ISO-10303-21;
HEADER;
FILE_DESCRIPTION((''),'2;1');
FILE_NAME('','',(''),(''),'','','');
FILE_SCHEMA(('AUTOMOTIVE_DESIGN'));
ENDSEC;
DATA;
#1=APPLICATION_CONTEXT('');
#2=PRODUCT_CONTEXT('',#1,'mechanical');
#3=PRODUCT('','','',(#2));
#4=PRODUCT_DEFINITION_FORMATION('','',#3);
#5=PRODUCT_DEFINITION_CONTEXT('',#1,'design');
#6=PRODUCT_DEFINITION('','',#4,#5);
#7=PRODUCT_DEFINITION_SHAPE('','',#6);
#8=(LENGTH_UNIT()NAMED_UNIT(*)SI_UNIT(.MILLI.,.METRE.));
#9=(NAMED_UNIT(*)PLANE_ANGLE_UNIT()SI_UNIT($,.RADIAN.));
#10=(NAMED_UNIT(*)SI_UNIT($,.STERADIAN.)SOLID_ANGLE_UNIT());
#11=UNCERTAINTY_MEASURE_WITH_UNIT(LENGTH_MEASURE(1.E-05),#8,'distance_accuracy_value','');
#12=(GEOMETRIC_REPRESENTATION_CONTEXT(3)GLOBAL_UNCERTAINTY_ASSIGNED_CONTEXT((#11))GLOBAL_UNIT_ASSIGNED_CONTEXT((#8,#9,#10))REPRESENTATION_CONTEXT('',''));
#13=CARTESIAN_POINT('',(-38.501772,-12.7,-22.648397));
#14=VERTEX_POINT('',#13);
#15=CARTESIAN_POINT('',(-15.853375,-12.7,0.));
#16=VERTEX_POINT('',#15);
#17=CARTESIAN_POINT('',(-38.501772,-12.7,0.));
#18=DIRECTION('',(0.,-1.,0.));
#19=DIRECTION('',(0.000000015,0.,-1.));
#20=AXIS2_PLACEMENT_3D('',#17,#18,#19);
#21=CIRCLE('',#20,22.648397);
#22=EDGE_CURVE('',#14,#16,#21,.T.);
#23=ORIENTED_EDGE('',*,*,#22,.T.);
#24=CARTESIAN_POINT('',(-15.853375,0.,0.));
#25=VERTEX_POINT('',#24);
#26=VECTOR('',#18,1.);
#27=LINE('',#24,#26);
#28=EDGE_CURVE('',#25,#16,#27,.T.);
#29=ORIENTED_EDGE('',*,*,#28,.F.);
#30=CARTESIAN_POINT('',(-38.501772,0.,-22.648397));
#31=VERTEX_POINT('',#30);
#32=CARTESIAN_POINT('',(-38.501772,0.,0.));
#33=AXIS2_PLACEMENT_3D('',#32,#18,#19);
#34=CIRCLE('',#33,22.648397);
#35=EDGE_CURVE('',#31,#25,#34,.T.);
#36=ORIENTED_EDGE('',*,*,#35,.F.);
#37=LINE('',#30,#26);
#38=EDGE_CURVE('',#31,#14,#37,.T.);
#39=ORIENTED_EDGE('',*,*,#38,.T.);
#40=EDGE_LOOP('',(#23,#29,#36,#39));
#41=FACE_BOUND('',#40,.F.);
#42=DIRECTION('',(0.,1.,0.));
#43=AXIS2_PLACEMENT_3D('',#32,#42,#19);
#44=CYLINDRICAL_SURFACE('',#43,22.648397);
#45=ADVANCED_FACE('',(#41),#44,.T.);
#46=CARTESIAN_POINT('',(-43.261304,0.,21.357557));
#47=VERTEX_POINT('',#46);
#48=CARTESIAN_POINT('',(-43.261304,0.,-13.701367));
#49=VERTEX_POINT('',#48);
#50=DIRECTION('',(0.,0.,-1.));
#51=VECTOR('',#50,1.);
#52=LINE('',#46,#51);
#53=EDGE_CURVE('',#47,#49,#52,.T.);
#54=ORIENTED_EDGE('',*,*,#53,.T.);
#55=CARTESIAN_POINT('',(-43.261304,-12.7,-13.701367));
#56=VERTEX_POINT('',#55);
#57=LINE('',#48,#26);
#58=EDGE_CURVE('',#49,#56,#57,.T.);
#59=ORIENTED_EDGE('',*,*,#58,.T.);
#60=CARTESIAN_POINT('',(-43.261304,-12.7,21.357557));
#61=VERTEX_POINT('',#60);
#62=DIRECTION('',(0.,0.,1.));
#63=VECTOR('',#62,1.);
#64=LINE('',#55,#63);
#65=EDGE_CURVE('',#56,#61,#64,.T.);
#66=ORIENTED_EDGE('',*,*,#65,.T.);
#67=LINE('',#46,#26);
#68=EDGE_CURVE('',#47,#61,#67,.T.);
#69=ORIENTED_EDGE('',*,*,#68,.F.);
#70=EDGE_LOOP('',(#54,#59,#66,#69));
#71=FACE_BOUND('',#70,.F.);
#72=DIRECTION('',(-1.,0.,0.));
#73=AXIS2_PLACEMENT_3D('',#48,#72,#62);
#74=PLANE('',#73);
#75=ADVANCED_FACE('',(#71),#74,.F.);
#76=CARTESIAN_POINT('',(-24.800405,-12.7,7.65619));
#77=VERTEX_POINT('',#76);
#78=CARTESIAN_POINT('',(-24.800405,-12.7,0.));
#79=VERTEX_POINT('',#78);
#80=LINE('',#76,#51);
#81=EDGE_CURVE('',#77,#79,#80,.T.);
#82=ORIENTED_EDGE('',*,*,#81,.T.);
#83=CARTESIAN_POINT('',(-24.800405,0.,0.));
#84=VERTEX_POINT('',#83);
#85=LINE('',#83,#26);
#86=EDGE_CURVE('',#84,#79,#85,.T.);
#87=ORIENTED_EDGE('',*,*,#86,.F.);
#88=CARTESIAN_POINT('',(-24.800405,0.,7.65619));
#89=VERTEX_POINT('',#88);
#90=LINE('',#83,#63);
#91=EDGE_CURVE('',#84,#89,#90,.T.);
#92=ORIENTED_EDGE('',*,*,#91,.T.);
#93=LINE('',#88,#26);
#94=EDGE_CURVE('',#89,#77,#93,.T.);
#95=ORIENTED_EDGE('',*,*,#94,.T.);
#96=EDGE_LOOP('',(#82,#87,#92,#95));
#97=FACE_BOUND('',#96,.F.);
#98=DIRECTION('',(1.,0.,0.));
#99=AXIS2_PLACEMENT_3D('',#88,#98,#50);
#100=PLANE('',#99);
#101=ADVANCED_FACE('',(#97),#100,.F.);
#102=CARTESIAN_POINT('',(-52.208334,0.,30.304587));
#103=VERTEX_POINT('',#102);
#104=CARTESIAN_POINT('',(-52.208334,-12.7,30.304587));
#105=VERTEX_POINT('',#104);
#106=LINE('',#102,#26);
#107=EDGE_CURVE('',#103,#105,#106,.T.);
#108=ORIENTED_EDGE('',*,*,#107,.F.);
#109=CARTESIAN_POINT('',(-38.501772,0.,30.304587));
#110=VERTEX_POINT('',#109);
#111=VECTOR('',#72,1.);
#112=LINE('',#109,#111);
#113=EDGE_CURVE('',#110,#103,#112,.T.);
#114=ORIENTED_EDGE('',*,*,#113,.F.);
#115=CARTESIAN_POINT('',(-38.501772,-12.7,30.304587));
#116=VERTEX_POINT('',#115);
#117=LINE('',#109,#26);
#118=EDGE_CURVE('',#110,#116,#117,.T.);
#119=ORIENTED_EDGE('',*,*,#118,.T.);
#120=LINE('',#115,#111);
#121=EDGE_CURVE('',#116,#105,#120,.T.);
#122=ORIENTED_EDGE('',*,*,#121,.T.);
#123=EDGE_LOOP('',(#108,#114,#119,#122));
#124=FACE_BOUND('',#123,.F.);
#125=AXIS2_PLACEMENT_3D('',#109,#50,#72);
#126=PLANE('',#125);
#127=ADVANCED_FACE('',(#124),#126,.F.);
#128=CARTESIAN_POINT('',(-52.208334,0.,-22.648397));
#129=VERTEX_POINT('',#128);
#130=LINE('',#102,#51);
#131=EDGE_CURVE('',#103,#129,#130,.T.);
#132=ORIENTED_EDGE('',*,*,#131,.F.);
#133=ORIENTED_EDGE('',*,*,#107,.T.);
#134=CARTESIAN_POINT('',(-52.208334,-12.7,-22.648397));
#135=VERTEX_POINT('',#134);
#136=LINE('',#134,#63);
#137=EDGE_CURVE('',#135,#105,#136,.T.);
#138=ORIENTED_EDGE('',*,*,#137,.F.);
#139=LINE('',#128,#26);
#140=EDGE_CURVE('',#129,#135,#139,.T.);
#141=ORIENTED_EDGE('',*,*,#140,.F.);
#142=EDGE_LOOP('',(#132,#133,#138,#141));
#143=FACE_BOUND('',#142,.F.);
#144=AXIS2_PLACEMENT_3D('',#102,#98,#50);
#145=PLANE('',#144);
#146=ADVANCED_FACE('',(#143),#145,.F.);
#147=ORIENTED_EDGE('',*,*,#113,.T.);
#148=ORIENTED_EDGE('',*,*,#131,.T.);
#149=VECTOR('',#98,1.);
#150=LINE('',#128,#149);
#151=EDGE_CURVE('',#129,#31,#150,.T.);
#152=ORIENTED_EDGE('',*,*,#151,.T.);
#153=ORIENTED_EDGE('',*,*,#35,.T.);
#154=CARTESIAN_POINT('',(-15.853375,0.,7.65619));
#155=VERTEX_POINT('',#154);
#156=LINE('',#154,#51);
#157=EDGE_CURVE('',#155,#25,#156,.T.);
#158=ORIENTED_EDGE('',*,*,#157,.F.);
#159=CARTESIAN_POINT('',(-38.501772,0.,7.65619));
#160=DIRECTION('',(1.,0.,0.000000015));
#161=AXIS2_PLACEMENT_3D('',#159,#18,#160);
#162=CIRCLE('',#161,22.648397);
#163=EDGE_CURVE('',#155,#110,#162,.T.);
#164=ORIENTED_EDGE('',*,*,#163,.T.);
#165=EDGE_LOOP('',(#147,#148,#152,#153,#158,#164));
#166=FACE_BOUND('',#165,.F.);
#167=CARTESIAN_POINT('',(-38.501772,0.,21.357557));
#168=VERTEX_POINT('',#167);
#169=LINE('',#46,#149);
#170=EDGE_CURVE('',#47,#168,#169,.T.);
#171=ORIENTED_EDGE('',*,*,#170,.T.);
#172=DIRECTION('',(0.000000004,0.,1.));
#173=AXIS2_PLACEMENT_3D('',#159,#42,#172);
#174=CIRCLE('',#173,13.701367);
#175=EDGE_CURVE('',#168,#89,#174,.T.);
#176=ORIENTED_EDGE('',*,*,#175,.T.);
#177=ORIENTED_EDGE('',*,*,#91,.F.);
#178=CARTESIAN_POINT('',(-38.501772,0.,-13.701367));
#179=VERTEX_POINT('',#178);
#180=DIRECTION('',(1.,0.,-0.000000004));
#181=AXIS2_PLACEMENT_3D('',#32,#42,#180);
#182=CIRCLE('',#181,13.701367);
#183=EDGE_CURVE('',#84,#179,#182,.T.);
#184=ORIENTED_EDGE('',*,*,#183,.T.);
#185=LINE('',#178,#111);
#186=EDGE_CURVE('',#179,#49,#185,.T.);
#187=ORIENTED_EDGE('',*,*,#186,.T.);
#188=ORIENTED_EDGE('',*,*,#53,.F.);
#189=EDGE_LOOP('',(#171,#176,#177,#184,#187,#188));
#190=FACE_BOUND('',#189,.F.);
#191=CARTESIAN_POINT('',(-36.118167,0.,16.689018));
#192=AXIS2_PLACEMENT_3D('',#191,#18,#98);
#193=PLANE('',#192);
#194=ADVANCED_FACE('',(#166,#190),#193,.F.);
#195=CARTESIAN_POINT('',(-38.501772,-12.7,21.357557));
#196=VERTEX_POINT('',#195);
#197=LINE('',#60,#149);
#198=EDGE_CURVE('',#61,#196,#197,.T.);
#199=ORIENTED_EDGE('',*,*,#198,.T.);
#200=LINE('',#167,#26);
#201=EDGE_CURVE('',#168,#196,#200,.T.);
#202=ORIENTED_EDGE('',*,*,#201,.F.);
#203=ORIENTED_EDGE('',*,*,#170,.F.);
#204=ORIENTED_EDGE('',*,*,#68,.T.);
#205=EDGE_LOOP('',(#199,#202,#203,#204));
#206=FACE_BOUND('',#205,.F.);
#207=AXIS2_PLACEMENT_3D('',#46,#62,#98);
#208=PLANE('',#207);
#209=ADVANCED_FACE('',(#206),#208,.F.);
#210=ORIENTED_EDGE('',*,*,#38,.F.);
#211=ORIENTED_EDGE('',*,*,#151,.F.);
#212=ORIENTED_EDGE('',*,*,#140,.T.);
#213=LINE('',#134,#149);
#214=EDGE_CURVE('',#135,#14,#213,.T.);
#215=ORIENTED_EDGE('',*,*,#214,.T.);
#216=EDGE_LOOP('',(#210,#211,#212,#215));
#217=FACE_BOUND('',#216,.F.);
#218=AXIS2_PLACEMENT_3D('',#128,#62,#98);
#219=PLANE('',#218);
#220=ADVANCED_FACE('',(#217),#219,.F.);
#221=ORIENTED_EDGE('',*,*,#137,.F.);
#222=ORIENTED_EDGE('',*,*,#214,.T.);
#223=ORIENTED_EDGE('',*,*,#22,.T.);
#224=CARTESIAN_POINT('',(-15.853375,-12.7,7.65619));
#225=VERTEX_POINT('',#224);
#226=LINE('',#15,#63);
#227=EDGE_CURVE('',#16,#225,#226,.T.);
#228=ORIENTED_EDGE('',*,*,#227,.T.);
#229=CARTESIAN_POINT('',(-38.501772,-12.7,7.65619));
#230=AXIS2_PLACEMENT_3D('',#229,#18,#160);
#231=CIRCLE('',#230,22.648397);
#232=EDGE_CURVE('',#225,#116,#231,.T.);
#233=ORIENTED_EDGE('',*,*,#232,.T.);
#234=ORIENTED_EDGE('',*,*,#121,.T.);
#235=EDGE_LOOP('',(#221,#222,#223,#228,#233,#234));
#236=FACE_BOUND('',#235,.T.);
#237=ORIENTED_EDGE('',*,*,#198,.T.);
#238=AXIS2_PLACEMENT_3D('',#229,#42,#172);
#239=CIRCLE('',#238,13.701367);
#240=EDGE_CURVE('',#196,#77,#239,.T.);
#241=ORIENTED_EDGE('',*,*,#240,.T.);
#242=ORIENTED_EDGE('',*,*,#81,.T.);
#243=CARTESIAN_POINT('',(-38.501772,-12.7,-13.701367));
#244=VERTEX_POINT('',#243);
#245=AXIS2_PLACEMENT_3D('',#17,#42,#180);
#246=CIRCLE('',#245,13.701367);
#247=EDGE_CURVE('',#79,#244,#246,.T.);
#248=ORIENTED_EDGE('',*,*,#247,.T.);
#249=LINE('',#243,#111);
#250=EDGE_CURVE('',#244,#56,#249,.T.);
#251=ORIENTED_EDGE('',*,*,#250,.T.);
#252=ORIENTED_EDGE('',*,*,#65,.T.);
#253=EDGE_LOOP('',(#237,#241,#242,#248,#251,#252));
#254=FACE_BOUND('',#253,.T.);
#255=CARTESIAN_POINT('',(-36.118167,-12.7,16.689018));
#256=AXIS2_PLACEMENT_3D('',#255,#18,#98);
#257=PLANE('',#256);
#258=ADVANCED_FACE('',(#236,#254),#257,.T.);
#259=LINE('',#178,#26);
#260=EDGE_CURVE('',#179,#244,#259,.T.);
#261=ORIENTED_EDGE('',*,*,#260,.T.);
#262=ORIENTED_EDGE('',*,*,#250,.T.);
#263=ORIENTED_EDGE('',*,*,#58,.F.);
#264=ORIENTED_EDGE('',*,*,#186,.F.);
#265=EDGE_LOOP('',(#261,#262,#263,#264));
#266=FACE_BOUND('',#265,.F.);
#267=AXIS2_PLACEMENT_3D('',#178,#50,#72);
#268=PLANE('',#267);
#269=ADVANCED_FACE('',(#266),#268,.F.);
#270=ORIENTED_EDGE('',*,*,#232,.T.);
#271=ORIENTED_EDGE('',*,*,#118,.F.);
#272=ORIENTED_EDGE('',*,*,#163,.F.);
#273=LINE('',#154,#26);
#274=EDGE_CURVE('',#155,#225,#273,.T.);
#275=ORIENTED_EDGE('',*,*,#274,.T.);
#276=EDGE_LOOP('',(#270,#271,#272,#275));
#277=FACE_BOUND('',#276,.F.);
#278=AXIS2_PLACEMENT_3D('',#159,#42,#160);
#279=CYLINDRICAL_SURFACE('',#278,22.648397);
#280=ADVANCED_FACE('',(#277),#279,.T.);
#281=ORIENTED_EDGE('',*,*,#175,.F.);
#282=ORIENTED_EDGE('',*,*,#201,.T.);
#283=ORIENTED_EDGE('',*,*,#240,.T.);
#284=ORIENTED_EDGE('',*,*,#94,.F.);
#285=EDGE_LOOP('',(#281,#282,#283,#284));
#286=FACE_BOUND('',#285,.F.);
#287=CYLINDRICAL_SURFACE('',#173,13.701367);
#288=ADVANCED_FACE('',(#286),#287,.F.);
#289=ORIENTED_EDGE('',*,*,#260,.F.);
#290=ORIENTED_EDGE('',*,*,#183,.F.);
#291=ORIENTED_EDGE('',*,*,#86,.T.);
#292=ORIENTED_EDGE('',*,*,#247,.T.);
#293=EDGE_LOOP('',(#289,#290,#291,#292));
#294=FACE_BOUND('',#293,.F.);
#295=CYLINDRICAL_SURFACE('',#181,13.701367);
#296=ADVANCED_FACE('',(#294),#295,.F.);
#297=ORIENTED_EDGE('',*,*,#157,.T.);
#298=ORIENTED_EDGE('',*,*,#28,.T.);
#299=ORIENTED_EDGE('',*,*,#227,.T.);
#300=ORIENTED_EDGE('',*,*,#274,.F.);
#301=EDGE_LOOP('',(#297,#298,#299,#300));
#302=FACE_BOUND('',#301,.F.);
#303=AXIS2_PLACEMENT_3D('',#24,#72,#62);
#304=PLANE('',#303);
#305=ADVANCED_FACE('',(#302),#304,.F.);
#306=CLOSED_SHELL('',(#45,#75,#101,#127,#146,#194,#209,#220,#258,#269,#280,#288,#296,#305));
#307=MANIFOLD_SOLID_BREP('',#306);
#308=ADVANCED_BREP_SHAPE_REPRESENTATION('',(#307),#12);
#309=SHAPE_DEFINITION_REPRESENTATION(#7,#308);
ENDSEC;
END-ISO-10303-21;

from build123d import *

# Parameters (mm, degrees)
F1_DEPTH = 12.7
F2_DEPTH = 12.7


with BuildPart() as f1:
    # F0 (on Front) → F1 (new body)
    with BuildSketch(Plane.XZ):
        with BuildLine():
            Line((-43.261304, 3.828095), (-52.208334, 3.828095))
            Line((-52.208334, 3.828095), (-52.208334, -22.648397))
            Line((-52.208334, -22.648397), (-38.501772, -22.648397))
            ThreePointArc((-38.501772, -22.648397), (-22.486937, -16.014835), (-15.853375, 0))
            Line((-15.853375, 0), (-15.853375, 3.828095))
            Line((-15.853375, 3.828095), (-24.800405, 3.828095))
            Line((-24.800405, 3.828095), (-24.800405, 0))
            ThreePointArc((-24.800405, 0), (-28.813443, -9.68833), (-38.501772, -13.701367))
            Line((-38.501772, -13.701367), (-43.261304, -13.701367))
            Line((-43.261304, -13.701367), (-43.261304, 3.828095))
        make_face()
    extrude(amount=F1_DEPTH)

    # F0 (on Front) → F2 (join)
    with BuildSketch(Plane.XZ):
        with BuildLine():
            Line((-38.501772, 30.304587), (-52.208334, 30.304587))
            Line((-52.208334, 30.304587), (-52.208334, 3.828095))
            Line((-52.208334, 3.828095), (-43.261304, 3.828095))
            Line((-43.261304, 3.828095), (-43.261304, 21.357557))
            Line((-43.261304, 21.357557), (-38.501772, 21.357557))
            ThreePointArc((-38.501772, 21.357557), (-28.813443, 17.34452), (-24.800405, 7.65619))
            Line((-24.800405, 7.65619), (-24.800405, 3.828095))
            Line((-24.800405, 3.828095), (-15.853375, 3.828095))
            Line((-15.853375, 3.828095), (-15.853375, 7.65619))
            ThreePointArc((-15.853375, 7.65619), (-22.486937, 23.671025), (-38.501772, 30.304587))
        make_face()
        with BuildLine():
            Line((-43.261304, 3.828095), (-52.208334, 3.828095))
            Line((-52.208334, 3.828095), (-52.208334, -22.648397))
            Line((-52.208334, -22.648397), (-38.501772, -22.648397))
            ThreePointArc((-38.501772, -22.648397), (-22.486937, -16.014835), (-15.853375, 0))
            Line((-15.853375, 0), (-15.853375, 3.828095))
            Line((-15.853375, 3.828095), (-24.800405, 3.828095))
            Line((-24.800405, 3.828095), (-24.800405, 0))
            ThreePointArc((-24.800405, 0), (-28.813443, -9.68833), (-38.501772, -13.701367))
            Line((-38.501772, -13.701367), (-43.261304, -13.701367))
            Line((-43.261304, -13.701367), (-43.261304, 3.828095))
        make_face()
    extrude(amount=F2_DEPTH)


solid = f1.part
